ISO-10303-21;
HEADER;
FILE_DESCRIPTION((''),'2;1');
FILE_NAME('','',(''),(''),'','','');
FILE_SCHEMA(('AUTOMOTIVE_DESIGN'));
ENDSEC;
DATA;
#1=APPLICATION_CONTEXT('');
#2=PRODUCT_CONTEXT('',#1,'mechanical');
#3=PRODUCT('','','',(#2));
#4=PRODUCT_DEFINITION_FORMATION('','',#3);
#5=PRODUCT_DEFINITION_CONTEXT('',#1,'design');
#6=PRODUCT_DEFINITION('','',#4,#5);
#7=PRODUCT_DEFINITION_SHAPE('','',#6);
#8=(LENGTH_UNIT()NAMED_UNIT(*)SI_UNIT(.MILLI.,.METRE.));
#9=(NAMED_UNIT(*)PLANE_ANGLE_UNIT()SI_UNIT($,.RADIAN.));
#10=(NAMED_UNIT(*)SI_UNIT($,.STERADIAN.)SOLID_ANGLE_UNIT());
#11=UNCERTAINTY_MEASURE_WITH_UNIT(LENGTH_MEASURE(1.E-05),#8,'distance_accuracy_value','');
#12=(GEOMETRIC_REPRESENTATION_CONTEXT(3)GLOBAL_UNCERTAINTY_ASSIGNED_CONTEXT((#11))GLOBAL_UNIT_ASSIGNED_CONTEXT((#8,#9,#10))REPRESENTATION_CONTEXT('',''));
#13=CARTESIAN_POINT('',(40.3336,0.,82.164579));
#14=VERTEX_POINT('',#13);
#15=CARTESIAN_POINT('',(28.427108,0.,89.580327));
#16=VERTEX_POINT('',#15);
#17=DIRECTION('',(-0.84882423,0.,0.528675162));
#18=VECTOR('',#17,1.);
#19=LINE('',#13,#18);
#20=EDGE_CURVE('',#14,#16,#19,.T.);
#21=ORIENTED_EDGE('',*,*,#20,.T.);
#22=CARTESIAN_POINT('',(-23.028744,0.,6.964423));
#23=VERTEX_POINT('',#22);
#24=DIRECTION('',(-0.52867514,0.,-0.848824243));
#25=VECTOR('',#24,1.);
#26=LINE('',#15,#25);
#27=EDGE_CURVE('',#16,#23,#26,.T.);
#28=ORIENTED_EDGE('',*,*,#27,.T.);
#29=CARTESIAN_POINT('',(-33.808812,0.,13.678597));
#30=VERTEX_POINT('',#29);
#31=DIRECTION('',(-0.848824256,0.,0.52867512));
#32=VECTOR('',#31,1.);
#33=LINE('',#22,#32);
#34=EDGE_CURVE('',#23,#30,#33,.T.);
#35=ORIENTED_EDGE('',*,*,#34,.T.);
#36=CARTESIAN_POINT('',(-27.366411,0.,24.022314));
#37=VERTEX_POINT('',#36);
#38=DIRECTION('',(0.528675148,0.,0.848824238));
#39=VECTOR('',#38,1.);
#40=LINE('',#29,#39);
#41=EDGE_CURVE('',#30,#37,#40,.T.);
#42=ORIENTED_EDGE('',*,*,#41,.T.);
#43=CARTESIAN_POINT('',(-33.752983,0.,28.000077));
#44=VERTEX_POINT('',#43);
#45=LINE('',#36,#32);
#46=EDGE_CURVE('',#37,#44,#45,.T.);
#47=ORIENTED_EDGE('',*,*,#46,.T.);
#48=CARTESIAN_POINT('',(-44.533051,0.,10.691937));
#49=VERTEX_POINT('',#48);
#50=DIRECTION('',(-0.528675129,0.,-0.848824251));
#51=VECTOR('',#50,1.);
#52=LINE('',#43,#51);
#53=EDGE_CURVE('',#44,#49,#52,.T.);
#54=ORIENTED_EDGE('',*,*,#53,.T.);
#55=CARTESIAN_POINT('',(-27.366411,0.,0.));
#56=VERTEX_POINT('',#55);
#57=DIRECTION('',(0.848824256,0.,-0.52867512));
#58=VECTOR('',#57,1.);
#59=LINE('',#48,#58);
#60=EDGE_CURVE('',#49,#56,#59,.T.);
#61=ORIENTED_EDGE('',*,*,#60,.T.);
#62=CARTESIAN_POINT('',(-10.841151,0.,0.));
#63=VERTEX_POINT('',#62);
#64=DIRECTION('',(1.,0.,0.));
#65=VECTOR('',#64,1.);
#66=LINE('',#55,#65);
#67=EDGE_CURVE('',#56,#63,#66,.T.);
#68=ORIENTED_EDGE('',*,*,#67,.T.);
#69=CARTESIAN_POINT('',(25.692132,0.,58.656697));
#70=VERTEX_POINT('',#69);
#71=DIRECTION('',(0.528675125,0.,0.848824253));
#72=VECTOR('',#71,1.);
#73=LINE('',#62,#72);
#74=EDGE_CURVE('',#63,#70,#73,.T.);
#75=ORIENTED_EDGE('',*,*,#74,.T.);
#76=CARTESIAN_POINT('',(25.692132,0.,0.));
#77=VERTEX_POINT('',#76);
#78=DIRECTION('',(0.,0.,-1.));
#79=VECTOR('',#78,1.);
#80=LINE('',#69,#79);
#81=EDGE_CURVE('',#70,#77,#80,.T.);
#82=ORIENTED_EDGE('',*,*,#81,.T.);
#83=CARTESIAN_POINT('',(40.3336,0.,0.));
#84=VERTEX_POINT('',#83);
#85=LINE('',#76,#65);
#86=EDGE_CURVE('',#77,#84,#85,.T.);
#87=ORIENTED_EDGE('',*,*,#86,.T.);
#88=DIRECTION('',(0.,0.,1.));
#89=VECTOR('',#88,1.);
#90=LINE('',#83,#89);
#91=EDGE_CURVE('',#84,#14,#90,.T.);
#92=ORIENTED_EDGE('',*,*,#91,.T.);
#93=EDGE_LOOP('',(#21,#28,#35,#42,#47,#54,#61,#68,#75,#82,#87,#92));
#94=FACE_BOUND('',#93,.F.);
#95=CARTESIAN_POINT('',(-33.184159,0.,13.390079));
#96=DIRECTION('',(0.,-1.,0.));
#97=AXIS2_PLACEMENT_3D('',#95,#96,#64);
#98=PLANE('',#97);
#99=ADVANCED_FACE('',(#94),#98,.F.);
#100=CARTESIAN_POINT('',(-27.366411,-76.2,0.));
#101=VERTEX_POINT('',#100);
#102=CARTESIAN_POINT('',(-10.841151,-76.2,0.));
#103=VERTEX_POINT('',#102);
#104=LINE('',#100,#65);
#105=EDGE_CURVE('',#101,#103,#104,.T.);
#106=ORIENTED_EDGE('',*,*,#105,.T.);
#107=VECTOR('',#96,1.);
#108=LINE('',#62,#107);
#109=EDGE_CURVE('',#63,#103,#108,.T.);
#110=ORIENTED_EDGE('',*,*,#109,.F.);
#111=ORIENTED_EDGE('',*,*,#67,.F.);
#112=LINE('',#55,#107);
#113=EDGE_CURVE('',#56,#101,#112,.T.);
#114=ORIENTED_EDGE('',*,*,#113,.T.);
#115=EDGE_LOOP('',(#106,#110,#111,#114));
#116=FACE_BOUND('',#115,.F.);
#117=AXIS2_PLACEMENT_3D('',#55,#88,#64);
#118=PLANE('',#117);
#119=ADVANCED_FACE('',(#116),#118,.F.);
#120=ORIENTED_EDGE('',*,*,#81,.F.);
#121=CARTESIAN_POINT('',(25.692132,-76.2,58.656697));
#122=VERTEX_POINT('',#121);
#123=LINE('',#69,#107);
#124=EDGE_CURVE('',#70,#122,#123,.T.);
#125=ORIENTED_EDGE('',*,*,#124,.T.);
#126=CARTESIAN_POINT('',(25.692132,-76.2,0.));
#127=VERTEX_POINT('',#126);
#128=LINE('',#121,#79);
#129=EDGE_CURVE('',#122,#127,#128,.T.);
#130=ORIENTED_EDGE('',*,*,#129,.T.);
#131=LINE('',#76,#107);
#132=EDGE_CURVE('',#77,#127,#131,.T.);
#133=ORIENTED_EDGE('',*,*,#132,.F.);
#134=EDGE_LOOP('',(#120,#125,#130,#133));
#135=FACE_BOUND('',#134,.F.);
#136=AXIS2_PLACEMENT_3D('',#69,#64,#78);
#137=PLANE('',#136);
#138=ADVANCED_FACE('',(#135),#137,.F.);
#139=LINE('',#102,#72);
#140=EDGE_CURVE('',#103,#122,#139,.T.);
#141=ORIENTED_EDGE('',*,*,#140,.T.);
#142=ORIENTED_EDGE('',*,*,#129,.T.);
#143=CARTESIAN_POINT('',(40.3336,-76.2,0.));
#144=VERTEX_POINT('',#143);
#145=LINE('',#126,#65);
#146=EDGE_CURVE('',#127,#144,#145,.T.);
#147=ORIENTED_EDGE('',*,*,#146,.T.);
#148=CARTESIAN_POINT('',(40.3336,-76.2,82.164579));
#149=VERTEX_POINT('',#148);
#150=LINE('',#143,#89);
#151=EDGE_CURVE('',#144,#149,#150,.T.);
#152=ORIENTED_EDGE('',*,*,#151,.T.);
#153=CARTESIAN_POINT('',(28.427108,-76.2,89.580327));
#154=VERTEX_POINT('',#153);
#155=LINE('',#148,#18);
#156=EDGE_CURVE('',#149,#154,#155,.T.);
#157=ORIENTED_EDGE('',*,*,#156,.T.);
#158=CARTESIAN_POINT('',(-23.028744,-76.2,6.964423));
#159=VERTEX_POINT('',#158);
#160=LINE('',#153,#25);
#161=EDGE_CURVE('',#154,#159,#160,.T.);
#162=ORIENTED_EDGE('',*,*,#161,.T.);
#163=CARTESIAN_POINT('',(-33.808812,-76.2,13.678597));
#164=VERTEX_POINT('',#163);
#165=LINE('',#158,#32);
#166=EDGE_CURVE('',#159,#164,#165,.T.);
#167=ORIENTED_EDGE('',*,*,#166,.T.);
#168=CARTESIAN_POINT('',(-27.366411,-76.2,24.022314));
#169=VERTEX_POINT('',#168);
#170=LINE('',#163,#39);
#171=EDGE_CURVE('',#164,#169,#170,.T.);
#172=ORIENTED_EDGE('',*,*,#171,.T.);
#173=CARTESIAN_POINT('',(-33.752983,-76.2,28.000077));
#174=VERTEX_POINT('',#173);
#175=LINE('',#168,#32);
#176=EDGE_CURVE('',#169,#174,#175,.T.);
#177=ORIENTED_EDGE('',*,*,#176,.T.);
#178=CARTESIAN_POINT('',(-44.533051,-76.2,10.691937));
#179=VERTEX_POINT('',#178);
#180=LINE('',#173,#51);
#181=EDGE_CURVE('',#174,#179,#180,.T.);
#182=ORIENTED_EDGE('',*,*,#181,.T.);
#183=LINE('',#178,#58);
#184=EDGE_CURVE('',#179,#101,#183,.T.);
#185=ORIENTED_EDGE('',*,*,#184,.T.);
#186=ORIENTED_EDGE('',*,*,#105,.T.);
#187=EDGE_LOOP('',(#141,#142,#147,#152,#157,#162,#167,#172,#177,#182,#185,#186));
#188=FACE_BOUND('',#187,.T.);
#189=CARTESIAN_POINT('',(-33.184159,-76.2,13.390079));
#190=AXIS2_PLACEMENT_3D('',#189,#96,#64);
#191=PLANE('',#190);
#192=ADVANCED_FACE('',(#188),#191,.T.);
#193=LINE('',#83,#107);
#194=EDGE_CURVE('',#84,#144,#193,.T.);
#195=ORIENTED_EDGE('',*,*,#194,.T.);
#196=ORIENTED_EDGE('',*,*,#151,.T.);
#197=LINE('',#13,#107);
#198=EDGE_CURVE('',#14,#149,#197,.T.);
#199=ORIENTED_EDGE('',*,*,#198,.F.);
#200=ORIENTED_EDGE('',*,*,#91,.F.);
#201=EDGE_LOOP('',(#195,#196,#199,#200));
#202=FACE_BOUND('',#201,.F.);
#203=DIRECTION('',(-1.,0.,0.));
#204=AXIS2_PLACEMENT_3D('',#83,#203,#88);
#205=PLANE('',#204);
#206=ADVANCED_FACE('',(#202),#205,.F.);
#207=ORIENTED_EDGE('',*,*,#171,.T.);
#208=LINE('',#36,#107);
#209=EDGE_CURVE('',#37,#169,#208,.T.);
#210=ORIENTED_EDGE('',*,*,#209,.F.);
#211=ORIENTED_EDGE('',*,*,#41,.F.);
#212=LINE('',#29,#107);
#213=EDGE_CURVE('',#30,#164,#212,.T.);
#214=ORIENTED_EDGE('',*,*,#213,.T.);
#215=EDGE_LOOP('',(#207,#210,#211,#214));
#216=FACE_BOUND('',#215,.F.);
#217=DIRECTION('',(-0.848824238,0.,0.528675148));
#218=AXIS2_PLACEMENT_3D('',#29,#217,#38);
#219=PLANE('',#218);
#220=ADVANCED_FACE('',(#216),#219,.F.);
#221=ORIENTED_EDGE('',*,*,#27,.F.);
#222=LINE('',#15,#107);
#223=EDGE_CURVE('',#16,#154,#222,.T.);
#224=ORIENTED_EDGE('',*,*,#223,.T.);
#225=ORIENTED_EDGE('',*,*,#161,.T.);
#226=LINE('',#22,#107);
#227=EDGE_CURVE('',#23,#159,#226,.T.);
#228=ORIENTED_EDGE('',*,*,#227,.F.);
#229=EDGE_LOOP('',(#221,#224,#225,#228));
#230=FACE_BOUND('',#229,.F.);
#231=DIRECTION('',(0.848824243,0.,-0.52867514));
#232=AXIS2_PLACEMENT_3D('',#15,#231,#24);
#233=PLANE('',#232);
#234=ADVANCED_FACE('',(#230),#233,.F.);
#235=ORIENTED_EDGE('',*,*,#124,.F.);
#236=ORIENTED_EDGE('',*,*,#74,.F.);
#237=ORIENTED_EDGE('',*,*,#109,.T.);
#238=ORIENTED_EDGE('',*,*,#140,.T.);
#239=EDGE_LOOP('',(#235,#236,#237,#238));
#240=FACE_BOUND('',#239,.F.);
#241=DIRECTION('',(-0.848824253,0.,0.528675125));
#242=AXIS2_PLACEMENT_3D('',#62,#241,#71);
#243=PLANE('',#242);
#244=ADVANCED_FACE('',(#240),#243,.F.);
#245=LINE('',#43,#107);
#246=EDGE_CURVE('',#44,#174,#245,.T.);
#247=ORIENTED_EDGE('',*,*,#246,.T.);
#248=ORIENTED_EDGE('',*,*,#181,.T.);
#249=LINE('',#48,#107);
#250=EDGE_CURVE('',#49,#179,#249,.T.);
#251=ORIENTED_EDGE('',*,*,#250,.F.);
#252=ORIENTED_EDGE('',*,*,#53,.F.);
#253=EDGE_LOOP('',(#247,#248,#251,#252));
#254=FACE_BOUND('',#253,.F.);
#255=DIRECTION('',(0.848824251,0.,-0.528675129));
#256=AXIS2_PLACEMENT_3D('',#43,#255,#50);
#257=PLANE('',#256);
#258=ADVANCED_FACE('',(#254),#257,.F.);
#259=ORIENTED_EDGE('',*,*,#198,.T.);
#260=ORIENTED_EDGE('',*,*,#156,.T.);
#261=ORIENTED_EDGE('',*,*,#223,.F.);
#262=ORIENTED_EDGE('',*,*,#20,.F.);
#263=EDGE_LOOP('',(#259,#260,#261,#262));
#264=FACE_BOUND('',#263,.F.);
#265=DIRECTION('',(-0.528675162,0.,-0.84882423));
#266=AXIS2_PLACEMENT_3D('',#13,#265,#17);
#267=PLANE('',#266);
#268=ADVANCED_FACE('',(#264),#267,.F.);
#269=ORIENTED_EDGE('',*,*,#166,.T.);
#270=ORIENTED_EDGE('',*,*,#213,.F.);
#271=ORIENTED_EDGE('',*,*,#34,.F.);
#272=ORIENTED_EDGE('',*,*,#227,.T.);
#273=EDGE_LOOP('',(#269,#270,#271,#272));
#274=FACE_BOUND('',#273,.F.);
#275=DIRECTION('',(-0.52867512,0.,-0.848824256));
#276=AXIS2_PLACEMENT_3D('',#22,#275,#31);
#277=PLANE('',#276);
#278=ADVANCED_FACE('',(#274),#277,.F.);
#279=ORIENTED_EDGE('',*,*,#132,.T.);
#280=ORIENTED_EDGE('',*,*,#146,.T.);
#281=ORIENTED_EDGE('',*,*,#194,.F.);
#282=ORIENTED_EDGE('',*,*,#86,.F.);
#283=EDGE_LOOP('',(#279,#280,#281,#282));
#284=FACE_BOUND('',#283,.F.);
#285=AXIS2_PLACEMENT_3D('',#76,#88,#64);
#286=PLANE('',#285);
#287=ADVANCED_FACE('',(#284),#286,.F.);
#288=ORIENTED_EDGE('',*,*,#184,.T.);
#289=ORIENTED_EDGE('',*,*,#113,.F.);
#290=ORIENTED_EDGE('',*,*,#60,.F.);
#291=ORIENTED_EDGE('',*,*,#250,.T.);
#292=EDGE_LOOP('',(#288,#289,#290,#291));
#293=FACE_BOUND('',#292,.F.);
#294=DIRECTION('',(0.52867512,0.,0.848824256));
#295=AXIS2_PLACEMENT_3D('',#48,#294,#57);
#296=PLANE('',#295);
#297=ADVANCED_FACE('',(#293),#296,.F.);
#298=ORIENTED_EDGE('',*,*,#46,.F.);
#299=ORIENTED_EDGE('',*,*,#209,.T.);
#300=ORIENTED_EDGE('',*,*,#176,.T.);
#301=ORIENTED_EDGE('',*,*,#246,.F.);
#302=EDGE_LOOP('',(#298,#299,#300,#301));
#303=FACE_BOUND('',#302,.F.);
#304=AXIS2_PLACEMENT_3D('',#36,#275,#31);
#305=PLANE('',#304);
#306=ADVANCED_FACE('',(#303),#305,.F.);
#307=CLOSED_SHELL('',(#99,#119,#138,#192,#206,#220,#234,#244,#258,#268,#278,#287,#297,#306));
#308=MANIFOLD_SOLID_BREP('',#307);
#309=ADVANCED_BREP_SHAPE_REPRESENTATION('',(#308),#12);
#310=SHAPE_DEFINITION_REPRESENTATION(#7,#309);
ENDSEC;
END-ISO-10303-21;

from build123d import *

# Parameters (mm, degrees)
F1_DEPTH = 76.2


with BuildPart() as f1:
    # F0 (on Front) → F1 (new body)
    with BuildSketch(Plane.XZ):
        Polygon((-44.533051, 10.691937), (-27.366411, 0), (-23.028744, 6.964423), (-33.808812, 13.678597), (-27.366411, 24.022314), (-33.752983, 28.000077), align=None)
        Polygon((40.3336, 82.164579), (25.692132, 58.656697), (25.692132, 0), (40.3336, 0), align=None)
        Polygon((-23.028744, 6.964423), (-27.366411, 0), (-10.841151, 0), (25.692132, 58.656697), (40.3336, 82.164579), (28.427108, 89.580327), align=None)
    extrude(amount=F1_DEPTH)


solid = f1.part
